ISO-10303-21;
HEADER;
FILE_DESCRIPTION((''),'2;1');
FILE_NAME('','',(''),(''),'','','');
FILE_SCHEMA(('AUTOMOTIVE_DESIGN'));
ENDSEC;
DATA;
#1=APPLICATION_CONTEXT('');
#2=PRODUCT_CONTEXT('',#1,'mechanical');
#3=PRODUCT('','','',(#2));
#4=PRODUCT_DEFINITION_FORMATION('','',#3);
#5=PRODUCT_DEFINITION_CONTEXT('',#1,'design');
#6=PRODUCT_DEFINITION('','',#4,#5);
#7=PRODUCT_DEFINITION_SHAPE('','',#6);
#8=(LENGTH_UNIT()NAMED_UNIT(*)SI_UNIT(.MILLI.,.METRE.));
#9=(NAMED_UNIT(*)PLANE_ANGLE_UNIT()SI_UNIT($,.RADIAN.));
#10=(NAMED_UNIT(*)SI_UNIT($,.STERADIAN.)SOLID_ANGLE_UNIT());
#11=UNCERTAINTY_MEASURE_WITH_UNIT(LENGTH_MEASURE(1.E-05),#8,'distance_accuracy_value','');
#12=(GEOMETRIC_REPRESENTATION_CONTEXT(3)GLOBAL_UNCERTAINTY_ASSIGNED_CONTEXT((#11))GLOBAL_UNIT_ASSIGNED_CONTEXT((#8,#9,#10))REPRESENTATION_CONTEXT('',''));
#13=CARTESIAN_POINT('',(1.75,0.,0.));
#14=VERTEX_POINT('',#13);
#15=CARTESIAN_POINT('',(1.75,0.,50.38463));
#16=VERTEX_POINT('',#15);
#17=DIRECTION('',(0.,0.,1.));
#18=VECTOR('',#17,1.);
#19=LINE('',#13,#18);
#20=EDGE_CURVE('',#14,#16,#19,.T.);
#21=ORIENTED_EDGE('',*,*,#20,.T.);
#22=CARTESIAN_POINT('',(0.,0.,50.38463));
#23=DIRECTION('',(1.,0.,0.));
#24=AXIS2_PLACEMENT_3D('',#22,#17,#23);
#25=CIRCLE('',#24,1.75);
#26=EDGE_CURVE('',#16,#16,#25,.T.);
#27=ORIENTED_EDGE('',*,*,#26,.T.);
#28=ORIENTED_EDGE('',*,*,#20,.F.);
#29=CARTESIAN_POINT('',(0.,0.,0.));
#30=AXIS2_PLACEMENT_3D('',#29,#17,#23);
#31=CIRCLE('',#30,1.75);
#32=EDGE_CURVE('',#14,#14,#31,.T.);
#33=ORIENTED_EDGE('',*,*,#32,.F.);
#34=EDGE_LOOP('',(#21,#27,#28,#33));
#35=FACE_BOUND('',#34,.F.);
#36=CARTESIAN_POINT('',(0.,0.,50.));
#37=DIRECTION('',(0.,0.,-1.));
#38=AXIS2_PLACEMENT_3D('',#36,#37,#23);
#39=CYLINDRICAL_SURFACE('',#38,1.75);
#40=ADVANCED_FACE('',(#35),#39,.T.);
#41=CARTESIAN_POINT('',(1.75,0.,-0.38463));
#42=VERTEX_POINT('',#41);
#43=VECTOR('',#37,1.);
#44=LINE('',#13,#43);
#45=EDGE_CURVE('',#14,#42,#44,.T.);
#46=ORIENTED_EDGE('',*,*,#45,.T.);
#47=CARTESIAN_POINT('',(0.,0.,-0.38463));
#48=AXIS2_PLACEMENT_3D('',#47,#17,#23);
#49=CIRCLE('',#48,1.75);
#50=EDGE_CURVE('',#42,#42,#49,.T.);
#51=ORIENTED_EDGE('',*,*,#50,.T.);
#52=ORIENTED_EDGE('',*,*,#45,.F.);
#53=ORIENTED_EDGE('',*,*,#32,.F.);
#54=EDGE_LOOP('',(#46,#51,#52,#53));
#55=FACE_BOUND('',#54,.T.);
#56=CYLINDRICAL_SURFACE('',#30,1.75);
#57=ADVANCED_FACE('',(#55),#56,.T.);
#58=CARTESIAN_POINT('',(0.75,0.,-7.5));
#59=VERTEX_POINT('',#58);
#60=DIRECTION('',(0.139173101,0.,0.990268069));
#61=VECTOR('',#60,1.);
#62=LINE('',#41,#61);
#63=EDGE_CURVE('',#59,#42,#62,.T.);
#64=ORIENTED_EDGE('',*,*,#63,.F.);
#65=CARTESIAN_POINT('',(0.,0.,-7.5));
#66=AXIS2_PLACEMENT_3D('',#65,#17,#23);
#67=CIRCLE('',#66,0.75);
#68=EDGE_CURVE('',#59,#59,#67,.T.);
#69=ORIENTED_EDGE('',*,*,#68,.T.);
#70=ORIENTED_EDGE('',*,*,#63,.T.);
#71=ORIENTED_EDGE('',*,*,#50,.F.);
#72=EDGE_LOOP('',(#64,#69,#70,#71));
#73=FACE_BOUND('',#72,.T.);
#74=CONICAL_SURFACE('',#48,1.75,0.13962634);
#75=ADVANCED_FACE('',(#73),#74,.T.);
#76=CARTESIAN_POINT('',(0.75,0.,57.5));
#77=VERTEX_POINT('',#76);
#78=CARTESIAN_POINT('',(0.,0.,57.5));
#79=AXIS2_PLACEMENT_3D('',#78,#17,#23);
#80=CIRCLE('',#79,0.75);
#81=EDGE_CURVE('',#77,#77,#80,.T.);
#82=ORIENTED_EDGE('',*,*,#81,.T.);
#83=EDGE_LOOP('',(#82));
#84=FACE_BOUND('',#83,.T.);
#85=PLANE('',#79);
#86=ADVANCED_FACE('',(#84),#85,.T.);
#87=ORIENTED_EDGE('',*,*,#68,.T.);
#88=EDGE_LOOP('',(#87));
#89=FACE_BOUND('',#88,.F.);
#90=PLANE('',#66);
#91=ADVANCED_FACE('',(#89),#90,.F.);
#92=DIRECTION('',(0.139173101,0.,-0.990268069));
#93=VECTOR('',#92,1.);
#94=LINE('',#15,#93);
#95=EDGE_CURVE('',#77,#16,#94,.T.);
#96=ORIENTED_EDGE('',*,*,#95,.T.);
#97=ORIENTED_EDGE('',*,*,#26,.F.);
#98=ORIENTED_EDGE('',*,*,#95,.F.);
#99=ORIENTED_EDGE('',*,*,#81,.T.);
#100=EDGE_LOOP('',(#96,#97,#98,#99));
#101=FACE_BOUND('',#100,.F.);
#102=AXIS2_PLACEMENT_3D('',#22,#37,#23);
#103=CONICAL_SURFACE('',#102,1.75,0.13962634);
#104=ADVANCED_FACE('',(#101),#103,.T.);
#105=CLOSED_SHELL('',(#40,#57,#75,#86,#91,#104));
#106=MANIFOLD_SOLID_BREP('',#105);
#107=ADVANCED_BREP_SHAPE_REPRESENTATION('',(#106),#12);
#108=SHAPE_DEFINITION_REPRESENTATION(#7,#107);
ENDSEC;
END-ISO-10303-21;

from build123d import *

# Parameters (mm, degrees)
F0_R     = 1.75
F1_DEPTH = 50
F2_R     = 1.75
F3_DEPTH = 7.5
F4_SIZE2 = 7.1153697224
F4_SIZE  = 1
F5_DEPTH = 7.5
F6_SIZE2 = 7.1153697224
F6_SIZE  = 1


with BuildPart() as f1:
    # F0 (on Top) → F1 (new body)
    with BuildSketch(Plane.XY):
        Circle(F0_R)
    extrude(amount=F1_DEPTH)

    # F2 (on face) → F3 (join)
    with BuildSketch(Plane.XY.offset(50)):
        Circle(F2_R)
    extrude(amount=F3_DEPTH)

    # F4
    f4_edges = [f1.edges().sort_by_distance(p)[0] for p in [
        (-1.75, 0, 57.5),
    ]]
    f4_side = f1.faces().sort_by_distance((0, 0, 57.5))[0]
    chamfer(f4_edges, length=F4_SIZE, length2=F4_SIZE2, reference=f4_side)

    # F5 (add): a face of the model
    f5_faces = [f1.faces().sort_by_distance(p)[0] for p in [
        (0, 0, 0),
    ]]
    extrude(f5_faces, amount=F5_DEPTH)

    # F6
    f6_edges = [f1.edges().sort_by_distance(p)[0] for p in [
        (-1.75, 0, -7.5),
    ]]
    f6_side = f1.faces().sort_by_distance((0, 0, -7.5))[0]
    chamfer(f6_edges, length=F6_SIZE, length2=F6_SIZE2, reference=f6_side)


solid = f1.part
